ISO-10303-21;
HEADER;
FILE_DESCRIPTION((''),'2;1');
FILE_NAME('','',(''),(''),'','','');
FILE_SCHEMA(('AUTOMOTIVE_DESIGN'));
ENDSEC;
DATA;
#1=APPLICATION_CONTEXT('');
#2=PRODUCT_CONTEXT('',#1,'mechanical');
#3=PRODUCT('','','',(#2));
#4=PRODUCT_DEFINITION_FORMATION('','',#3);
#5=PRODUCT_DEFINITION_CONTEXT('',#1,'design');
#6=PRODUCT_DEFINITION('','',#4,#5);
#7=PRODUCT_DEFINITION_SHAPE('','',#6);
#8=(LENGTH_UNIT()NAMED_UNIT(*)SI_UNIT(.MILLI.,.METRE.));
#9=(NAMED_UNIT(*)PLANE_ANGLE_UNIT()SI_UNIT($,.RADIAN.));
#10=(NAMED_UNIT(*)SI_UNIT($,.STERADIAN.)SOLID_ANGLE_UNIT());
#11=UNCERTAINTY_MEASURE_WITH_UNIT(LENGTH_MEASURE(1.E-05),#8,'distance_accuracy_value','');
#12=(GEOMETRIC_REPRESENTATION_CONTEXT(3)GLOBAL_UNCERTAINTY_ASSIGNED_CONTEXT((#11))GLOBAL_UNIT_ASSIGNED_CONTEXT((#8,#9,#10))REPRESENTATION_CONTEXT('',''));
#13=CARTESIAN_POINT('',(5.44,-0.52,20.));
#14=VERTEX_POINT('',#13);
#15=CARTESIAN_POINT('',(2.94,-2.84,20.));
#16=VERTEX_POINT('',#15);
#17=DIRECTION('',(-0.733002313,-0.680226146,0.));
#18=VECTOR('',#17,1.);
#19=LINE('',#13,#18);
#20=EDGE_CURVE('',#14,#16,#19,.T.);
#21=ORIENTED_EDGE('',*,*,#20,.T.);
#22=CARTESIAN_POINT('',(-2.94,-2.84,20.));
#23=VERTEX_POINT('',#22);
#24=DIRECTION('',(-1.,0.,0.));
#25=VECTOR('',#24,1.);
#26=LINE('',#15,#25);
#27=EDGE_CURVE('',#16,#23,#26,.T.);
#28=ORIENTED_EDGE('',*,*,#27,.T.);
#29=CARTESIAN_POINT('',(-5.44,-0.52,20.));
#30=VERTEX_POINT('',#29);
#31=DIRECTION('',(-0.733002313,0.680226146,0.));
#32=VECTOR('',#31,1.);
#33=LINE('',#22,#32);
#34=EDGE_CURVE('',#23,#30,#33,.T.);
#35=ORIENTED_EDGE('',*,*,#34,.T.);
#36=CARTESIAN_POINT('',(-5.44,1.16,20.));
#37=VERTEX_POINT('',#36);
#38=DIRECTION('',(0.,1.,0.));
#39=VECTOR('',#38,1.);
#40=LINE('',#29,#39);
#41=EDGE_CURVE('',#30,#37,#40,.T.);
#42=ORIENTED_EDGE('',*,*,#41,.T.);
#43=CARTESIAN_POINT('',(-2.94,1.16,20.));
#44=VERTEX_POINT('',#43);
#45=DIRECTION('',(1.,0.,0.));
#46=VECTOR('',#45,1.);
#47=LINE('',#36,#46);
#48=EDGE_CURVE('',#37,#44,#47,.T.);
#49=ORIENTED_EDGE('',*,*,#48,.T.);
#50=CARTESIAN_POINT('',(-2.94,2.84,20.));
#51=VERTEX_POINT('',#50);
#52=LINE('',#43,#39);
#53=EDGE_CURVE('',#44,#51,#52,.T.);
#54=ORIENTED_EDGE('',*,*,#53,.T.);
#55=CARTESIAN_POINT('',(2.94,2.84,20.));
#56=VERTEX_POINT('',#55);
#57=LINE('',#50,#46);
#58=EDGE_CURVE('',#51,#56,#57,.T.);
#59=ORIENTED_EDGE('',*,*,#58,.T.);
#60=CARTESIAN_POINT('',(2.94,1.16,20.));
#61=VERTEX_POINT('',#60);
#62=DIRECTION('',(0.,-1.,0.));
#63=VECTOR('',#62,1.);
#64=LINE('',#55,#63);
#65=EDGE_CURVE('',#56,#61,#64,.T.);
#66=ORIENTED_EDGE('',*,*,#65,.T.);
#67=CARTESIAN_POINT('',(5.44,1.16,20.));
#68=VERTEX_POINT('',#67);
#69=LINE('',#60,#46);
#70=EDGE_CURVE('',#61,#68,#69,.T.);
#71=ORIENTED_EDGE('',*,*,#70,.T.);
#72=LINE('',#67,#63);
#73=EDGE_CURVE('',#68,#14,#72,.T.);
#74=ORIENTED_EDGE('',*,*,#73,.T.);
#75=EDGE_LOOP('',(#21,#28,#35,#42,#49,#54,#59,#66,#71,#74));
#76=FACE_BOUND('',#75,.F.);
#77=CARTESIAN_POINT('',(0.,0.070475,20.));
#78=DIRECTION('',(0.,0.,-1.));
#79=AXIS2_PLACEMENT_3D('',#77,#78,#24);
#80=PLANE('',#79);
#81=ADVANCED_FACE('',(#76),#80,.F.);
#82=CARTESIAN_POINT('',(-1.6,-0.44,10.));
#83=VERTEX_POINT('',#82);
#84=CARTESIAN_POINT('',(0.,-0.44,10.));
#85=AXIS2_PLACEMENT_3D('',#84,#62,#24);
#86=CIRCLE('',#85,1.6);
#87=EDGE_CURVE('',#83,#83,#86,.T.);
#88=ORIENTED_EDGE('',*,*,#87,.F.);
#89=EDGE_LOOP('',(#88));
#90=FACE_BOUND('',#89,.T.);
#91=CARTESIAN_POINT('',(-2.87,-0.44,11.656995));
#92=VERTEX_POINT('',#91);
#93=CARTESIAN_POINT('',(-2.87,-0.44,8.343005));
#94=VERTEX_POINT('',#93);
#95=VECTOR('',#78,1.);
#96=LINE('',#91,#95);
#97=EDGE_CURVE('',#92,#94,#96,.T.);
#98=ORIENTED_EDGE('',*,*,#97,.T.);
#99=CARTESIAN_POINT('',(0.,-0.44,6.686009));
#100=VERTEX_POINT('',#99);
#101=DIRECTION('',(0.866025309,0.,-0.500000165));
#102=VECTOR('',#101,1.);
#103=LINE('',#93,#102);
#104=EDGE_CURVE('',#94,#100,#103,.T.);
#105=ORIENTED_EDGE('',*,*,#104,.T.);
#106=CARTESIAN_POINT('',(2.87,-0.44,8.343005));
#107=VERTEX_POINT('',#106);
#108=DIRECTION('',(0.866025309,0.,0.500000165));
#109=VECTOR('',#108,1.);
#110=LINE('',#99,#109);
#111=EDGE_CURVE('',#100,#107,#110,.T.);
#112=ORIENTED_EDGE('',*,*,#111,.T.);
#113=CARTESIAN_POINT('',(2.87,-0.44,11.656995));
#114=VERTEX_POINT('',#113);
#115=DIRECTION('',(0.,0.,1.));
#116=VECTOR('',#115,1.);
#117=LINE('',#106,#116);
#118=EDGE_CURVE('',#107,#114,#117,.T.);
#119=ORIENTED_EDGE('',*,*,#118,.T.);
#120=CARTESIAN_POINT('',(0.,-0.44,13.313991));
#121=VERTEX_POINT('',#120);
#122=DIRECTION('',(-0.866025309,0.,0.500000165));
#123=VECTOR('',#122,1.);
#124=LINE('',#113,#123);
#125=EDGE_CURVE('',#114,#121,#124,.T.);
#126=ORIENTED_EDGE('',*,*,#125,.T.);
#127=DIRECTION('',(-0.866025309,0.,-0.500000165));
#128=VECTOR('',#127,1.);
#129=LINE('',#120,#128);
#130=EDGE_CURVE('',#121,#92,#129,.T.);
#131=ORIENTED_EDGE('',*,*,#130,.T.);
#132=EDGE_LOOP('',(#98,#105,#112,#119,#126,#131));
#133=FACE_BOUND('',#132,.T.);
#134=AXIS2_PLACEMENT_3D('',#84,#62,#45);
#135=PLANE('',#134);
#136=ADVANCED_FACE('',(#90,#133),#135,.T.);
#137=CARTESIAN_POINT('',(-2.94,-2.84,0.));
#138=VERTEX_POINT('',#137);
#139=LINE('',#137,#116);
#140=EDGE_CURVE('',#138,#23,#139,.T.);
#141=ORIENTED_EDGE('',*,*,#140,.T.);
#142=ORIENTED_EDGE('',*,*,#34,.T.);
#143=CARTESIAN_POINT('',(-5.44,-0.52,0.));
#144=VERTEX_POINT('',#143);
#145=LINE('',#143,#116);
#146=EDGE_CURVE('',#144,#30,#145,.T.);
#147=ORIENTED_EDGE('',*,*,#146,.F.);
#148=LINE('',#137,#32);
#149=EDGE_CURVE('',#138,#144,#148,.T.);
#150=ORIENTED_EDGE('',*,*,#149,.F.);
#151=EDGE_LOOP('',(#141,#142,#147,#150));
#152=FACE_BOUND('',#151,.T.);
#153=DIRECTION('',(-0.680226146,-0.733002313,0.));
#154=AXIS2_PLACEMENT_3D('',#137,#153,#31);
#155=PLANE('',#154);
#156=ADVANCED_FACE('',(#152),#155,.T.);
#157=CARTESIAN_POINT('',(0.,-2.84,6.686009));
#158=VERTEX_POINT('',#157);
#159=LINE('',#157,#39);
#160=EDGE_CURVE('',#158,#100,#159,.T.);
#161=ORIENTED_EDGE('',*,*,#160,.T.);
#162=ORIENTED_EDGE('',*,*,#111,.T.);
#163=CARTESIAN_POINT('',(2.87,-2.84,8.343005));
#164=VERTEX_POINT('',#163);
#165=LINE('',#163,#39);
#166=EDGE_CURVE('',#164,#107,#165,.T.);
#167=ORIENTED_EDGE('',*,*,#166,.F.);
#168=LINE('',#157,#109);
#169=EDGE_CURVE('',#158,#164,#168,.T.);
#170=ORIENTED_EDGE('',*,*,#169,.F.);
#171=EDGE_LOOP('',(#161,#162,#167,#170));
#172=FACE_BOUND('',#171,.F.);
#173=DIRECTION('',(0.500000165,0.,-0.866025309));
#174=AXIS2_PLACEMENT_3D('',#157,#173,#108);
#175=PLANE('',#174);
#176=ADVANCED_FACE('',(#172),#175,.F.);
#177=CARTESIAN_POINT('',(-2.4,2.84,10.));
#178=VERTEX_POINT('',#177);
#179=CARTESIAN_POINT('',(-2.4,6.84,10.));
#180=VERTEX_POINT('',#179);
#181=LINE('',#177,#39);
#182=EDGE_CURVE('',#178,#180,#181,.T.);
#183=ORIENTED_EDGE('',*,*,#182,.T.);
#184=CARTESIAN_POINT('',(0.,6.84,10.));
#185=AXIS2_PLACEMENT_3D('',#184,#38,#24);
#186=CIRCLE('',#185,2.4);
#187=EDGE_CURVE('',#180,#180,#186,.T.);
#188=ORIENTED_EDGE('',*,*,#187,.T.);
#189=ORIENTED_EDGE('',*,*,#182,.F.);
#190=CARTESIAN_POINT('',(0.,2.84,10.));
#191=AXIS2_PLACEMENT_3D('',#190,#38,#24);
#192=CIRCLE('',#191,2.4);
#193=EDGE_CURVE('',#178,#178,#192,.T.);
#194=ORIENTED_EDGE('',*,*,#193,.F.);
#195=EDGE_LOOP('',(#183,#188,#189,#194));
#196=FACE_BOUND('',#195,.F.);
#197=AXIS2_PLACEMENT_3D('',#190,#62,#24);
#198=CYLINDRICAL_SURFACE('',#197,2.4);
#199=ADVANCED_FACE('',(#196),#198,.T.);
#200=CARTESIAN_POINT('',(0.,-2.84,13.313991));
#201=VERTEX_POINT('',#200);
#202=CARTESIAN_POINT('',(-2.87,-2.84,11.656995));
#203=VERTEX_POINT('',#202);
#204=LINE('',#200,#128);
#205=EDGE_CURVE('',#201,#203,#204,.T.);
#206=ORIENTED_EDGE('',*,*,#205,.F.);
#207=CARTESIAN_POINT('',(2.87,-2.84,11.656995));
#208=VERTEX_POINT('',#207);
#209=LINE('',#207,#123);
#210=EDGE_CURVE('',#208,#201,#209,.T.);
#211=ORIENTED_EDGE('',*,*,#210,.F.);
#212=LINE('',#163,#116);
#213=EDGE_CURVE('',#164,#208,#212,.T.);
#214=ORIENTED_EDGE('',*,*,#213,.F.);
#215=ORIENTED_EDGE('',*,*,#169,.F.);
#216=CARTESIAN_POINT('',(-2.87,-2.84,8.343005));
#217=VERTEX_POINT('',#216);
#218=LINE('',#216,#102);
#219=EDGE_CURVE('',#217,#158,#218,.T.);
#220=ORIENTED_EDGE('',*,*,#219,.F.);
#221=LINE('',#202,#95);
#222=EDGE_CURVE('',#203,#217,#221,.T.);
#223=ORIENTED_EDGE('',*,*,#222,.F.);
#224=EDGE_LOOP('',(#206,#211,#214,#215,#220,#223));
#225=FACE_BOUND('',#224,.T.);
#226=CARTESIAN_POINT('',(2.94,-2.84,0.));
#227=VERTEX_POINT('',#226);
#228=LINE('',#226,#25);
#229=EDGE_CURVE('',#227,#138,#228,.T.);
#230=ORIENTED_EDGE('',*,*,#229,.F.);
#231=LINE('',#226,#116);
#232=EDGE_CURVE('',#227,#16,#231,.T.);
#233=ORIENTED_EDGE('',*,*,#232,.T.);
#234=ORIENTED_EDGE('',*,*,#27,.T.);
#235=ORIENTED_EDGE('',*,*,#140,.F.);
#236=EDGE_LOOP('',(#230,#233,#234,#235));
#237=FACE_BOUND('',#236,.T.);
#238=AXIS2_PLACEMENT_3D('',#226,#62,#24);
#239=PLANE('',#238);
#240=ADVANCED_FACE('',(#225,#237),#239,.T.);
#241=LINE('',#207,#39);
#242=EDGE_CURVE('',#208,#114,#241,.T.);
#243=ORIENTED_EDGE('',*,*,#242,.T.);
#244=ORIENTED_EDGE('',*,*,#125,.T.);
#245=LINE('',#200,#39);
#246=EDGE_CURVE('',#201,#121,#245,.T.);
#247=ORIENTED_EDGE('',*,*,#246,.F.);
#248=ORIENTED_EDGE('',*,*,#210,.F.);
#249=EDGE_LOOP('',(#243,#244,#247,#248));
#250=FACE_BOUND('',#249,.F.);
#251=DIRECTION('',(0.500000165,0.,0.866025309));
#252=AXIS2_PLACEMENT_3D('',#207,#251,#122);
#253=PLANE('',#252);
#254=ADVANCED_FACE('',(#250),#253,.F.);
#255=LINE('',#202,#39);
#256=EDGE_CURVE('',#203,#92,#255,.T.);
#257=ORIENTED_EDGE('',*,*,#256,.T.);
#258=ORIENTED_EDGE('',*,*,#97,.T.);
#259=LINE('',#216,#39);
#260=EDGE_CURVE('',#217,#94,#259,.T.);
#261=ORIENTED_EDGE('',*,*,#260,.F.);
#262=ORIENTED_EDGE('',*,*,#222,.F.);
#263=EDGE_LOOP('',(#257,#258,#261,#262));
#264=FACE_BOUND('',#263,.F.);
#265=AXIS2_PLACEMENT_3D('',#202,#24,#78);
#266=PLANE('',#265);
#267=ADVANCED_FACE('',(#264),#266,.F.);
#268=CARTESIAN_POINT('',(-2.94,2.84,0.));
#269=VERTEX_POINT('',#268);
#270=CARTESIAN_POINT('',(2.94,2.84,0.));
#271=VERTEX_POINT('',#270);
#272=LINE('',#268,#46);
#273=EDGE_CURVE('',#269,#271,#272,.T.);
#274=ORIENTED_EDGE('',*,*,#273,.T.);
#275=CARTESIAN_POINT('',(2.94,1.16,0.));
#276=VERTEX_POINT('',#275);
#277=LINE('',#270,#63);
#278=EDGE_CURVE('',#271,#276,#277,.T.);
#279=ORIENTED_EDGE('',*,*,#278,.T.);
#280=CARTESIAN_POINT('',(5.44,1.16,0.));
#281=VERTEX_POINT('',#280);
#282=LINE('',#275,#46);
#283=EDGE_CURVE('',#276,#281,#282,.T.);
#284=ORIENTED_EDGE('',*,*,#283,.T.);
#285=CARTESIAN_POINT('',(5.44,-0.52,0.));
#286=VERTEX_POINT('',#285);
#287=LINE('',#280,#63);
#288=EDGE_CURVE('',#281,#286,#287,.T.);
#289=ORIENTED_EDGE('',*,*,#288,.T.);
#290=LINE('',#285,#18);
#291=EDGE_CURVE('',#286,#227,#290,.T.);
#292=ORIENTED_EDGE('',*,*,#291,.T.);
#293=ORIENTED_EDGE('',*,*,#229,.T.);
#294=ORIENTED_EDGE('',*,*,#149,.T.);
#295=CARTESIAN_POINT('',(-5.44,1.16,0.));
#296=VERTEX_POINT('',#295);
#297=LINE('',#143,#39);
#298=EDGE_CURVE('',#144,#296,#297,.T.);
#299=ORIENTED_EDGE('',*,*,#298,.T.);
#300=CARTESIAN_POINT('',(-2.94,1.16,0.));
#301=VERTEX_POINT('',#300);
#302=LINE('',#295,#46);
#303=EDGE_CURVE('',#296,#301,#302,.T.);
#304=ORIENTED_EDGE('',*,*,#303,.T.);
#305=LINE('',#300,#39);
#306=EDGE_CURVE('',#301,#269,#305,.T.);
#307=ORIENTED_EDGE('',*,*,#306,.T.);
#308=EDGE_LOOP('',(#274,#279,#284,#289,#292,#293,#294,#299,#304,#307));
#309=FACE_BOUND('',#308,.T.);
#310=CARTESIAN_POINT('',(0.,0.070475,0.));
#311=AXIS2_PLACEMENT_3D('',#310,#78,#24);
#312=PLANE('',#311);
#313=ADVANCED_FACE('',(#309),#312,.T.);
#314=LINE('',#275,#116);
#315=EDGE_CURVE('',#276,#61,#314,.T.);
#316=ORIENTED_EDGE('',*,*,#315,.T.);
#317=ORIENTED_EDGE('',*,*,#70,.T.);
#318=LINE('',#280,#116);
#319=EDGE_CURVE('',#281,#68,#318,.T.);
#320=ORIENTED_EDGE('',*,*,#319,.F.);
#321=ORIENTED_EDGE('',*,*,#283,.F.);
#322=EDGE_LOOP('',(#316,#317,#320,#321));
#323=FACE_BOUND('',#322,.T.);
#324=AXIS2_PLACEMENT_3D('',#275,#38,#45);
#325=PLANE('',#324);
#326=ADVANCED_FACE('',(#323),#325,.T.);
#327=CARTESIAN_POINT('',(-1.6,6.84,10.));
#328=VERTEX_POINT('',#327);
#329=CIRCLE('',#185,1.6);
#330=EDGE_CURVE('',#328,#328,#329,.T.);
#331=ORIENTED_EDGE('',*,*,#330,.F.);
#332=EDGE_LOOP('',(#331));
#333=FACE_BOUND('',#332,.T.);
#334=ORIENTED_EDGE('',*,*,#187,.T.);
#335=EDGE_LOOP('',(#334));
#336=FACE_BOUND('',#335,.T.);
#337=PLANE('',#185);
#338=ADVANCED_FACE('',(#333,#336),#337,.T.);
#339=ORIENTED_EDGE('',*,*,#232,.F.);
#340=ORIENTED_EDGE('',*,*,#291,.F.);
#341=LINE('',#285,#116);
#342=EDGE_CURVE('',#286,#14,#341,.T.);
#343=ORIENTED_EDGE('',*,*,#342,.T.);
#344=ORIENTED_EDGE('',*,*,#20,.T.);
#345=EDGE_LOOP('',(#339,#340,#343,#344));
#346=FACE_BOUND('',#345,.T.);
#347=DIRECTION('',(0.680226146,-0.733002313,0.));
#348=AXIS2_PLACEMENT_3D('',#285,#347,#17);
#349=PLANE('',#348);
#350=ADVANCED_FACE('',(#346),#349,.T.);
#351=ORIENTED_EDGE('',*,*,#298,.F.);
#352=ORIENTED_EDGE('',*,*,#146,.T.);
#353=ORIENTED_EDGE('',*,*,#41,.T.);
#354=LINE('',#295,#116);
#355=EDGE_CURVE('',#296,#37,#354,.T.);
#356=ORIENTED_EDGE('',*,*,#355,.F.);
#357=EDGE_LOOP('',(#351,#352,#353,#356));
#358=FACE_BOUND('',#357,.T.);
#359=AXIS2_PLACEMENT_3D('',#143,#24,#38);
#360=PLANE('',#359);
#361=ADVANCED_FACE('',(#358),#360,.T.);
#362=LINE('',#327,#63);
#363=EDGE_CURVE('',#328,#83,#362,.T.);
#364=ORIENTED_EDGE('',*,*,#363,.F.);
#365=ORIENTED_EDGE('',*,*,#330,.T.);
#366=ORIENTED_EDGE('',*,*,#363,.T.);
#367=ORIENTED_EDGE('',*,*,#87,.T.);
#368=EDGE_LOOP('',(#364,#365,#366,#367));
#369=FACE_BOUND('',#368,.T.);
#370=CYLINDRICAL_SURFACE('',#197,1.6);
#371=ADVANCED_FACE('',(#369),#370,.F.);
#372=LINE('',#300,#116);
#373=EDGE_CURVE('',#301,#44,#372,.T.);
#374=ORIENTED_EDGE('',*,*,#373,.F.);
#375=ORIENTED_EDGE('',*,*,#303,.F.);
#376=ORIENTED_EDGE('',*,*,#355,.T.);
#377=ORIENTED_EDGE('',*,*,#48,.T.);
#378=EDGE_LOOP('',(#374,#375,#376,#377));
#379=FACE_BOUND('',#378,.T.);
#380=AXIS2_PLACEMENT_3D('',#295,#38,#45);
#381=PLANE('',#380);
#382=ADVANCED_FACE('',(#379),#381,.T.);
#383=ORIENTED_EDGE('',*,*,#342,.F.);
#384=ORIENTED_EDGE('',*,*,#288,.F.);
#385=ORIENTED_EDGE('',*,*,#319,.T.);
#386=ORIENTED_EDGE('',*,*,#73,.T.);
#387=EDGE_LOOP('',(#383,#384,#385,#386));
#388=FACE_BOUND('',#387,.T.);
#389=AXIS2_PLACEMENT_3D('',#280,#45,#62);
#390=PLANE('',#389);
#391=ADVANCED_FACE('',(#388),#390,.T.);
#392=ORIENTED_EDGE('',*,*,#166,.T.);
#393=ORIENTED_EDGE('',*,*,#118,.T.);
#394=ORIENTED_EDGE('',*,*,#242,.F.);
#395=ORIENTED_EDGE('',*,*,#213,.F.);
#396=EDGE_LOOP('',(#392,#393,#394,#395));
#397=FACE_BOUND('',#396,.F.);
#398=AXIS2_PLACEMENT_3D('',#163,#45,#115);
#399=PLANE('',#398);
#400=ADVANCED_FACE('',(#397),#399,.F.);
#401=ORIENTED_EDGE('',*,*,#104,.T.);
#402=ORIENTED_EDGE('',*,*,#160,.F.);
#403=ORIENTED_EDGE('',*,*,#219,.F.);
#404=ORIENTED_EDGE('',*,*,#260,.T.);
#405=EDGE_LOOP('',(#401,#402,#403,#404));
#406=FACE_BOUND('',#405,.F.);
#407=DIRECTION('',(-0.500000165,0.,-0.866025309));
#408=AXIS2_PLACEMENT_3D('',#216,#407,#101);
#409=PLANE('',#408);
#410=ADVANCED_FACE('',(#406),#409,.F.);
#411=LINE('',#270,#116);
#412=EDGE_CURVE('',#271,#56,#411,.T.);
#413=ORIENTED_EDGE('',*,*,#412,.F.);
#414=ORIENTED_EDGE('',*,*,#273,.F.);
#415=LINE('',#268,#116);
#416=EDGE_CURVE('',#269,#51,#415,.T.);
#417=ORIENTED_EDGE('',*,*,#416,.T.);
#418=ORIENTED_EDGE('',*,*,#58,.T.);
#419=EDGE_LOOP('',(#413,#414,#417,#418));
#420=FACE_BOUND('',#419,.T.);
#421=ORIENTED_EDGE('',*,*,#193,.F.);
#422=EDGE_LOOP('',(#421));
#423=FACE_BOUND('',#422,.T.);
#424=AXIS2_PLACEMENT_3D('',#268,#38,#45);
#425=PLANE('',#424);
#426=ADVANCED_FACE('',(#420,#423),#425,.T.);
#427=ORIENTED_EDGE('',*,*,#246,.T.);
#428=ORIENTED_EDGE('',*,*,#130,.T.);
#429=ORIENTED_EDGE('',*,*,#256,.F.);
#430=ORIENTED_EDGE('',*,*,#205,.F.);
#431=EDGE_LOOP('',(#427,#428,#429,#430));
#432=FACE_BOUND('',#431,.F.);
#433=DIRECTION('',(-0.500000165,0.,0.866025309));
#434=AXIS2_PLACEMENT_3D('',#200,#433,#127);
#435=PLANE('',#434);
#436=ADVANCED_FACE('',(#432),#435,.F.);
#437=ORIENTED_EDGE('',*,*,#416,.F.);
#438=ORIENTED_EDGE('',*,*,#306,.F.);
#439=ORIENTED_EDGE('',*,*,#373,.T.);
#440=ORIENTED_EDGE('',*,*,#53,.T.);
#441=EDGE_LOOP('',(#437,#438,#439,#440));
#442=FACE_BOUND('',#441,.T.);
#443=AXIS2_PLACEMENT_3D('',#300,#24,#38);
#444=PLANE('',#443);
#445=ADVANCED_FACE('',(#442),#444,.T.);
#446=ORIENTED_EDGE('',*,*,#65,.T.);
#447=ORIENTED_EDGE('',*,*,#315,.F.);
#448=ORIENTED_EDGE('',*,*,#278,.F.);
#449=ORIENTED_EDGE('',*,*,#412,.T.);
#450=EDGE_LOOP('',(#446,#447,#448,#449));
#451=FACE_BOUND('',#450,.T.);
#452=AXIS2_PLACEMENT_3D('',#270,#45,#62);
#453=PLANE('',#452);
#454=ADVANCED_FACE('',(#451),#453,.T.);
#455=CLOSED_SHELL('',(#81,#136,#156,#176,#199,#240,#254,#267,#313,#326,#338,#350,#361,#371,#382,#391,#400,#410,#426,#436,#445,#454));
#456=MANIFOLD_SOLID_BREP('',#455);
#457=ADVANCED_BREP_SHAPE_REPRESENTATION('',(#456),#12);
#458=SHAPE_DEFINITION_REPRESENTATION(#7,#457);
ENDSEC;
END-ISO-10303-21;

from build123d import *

# Parameters (mm, degrees)
PAD_DEPTH       = 20
SKETCH001_R     = 1.6
POCKET_DEPTH    = 5.68
SKETCH002_R     = 2.4
SKETCH002_R_2   = 1.6
PAD001_DEPTH    = 4
SKETCH003_R     = 1.6
POCKET001_DEPTH = 2.4


with BuildPart() as part:
    # Sketch → Pad (new body)
    with BuildSketch(Plane.XY):
        Polygon((2.94, -2.84), (-2.94, -2.84), (-5.44, -0.52), (-5.44, 1.16), (-2.94, 1.16), (-2.94, 2.84), (2.94, 2.84), (2.94, 1.16), (5.44, 1.16), (5.44, -0.52), align=None)
    extrude(amount=PAD_DEPTH)

    # Sketch001 (on Face6 of Pad) → Pocket (cut)
    with BuildSketch(Plane(origin=(0, 2.84, 0), x_dir=(-1, 0, 0), z_dir=(0, 1, 0))):
        with Locations((0, 10)):
            Circle(SKETCH001_R)
    extrude(amount=-POCKET_DEPTH, mode=Mode.SUBTRACT)

    # Sketch002 (on Face11 of Pocket) → Pad001 (join)
    with BuildSketch(Plane(origin=(0, 2.84, 0), x_dir=(-1, 0, 0), z_dir=(0, 1, 0))):
        with Locations((0, 10)):
            Circle(SKETCH002_R)
        with Locations((0, 10)):
            Circle(SKETCH002_R_2, mode=Mode.SUBTRACT)
    extrude(amount=PAD001_DEPTH)

    # Sketch003 (on Face1 of Pad001) → Pocket001 (cut)
    with BuildSketch(Plane.XZ.offset(2.84)):
        Polygon((0, 6.686009), (2.87, 8.343005), (2.87, 11.656995), (0, 13.313991), (-2.87, 11.656995), (-2.87, 8.343005), align=None)
        with Locations((0, 10)):
            Circle(SKETCH003_R, mode=Mode.SUBTRACT)
    extrude(amount=-POCKET001_DEPTH, mode=Mode.SUBTRACT)


solid = part.part
